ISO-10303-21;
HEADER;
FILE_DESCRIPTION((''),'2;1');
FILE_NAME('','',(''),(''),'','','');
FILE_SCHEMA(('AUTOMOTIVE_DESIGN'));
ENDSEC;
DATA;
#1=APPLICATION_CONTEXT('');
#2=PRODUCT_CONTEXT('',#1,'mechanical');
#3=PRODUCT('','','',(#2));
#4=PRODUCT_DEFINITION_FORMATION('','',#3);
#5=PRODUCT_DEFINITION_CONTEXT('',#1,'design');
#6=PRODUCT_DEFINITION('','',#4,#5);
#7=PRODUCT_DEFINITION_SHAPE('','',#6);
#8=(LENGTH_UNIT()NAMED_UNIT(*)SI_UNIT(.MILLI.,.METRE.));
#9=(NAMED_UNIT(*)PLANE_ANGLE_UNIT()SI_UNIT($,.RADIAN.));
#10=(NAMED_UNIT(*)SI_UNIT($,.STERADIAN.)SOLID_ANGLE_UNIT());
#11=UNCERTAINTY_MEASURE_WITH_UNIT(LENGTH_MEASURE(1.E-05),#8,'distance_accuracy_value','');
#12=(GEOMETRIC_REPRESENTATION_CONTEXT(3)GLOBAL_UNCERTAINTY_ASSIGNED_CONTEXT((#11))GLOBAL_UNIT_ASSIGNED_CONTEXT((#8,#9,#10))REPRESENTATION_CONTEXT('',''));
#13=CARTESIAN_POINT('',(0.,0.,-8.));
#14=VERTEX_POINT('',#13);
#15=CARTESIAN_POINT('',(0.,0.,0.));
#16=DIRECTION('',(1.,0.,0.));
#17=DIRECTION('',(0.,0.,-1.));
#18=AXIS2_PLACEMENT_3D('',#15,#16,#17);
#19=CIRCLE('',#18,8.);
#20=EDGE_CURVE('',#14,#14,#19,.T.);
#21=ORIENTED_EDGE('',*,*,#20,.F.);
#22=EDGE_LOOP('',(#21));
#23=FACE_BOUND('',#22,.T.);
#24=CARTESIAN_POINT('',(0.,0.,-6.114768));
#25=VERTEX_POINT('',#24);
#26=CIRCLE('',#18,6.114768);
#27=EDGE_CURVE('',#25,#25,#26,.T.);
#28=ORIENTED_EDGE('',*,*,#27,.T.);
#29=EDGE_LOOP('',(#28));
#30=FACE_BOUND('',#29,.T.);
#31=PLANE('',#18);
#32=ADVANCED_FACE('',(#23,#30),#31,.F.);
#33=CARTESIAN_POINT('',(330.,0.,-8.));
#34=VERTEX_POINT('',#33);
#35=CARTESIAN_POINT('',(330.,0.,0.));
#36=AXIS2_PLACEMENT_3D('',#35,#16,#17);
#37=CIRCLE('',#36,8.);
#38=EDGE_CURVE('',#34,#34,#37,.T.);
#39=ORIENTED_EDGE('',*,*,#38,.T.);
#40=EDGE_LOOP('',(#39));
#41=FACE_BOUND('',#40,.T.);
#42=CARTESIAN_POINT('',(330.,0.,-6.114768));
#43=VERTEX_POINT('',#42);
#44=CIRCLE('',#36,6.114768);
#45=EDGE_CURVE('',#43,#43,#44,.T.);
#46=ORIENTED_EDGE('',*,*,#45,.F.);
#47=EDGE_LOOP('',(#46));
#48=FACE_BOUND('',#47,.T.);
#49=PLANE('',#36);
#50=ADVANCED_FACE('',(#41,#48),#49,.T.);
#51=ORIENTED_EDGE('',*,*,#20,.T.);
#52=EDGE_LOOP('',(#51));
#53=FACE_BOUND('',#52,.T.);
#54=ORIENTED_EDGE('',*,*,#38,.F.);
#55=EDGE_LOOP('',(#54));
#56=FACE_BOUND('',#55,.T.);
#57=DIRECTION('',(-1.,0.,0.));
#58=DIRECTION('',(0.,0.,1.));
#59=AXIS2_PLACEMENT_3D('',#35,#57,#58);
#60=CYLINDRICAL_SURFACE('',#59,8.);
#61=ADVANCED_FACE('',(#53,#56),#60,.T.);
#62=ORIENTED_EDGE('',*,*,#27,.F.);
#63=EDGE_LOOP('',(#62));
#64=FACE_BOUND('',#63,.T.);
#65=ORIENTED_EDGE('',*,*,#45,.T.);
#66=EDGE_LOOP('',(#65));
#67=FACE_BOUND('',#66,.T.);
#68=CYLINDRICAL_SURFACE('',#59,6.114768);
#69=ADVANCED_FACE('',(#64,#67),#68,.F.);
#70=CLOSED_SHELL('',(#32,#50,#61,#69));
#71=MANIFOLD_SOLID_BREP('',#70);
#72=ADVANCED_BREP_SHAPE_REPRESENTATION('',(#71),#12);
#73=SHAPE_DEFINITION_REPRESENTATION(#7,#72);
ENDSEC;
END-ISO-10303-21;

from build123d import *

# Parameters (mm, degrees)
SKETCH1_R           = 8
SKETCH1_R_2         = 6.11476785
BOSS_EXTRUDE1_DEPTH = 330


with BuildPart() as part:
    # Sketch1 → Boss-Extrude1 (new body)
    with BuildSketch(Plane(origin=(0, 0, 0), x_dir=(0, 0, -1), z_dir=(1, 0, 0))):
        Circle(SKETCH1_R)
        Circle(SKETCH1_R_2, mode=Mode.SUBTRACT)
    extrude(amount=BOSS_EXTRUDE1_DEPTH)


solid = part.part
